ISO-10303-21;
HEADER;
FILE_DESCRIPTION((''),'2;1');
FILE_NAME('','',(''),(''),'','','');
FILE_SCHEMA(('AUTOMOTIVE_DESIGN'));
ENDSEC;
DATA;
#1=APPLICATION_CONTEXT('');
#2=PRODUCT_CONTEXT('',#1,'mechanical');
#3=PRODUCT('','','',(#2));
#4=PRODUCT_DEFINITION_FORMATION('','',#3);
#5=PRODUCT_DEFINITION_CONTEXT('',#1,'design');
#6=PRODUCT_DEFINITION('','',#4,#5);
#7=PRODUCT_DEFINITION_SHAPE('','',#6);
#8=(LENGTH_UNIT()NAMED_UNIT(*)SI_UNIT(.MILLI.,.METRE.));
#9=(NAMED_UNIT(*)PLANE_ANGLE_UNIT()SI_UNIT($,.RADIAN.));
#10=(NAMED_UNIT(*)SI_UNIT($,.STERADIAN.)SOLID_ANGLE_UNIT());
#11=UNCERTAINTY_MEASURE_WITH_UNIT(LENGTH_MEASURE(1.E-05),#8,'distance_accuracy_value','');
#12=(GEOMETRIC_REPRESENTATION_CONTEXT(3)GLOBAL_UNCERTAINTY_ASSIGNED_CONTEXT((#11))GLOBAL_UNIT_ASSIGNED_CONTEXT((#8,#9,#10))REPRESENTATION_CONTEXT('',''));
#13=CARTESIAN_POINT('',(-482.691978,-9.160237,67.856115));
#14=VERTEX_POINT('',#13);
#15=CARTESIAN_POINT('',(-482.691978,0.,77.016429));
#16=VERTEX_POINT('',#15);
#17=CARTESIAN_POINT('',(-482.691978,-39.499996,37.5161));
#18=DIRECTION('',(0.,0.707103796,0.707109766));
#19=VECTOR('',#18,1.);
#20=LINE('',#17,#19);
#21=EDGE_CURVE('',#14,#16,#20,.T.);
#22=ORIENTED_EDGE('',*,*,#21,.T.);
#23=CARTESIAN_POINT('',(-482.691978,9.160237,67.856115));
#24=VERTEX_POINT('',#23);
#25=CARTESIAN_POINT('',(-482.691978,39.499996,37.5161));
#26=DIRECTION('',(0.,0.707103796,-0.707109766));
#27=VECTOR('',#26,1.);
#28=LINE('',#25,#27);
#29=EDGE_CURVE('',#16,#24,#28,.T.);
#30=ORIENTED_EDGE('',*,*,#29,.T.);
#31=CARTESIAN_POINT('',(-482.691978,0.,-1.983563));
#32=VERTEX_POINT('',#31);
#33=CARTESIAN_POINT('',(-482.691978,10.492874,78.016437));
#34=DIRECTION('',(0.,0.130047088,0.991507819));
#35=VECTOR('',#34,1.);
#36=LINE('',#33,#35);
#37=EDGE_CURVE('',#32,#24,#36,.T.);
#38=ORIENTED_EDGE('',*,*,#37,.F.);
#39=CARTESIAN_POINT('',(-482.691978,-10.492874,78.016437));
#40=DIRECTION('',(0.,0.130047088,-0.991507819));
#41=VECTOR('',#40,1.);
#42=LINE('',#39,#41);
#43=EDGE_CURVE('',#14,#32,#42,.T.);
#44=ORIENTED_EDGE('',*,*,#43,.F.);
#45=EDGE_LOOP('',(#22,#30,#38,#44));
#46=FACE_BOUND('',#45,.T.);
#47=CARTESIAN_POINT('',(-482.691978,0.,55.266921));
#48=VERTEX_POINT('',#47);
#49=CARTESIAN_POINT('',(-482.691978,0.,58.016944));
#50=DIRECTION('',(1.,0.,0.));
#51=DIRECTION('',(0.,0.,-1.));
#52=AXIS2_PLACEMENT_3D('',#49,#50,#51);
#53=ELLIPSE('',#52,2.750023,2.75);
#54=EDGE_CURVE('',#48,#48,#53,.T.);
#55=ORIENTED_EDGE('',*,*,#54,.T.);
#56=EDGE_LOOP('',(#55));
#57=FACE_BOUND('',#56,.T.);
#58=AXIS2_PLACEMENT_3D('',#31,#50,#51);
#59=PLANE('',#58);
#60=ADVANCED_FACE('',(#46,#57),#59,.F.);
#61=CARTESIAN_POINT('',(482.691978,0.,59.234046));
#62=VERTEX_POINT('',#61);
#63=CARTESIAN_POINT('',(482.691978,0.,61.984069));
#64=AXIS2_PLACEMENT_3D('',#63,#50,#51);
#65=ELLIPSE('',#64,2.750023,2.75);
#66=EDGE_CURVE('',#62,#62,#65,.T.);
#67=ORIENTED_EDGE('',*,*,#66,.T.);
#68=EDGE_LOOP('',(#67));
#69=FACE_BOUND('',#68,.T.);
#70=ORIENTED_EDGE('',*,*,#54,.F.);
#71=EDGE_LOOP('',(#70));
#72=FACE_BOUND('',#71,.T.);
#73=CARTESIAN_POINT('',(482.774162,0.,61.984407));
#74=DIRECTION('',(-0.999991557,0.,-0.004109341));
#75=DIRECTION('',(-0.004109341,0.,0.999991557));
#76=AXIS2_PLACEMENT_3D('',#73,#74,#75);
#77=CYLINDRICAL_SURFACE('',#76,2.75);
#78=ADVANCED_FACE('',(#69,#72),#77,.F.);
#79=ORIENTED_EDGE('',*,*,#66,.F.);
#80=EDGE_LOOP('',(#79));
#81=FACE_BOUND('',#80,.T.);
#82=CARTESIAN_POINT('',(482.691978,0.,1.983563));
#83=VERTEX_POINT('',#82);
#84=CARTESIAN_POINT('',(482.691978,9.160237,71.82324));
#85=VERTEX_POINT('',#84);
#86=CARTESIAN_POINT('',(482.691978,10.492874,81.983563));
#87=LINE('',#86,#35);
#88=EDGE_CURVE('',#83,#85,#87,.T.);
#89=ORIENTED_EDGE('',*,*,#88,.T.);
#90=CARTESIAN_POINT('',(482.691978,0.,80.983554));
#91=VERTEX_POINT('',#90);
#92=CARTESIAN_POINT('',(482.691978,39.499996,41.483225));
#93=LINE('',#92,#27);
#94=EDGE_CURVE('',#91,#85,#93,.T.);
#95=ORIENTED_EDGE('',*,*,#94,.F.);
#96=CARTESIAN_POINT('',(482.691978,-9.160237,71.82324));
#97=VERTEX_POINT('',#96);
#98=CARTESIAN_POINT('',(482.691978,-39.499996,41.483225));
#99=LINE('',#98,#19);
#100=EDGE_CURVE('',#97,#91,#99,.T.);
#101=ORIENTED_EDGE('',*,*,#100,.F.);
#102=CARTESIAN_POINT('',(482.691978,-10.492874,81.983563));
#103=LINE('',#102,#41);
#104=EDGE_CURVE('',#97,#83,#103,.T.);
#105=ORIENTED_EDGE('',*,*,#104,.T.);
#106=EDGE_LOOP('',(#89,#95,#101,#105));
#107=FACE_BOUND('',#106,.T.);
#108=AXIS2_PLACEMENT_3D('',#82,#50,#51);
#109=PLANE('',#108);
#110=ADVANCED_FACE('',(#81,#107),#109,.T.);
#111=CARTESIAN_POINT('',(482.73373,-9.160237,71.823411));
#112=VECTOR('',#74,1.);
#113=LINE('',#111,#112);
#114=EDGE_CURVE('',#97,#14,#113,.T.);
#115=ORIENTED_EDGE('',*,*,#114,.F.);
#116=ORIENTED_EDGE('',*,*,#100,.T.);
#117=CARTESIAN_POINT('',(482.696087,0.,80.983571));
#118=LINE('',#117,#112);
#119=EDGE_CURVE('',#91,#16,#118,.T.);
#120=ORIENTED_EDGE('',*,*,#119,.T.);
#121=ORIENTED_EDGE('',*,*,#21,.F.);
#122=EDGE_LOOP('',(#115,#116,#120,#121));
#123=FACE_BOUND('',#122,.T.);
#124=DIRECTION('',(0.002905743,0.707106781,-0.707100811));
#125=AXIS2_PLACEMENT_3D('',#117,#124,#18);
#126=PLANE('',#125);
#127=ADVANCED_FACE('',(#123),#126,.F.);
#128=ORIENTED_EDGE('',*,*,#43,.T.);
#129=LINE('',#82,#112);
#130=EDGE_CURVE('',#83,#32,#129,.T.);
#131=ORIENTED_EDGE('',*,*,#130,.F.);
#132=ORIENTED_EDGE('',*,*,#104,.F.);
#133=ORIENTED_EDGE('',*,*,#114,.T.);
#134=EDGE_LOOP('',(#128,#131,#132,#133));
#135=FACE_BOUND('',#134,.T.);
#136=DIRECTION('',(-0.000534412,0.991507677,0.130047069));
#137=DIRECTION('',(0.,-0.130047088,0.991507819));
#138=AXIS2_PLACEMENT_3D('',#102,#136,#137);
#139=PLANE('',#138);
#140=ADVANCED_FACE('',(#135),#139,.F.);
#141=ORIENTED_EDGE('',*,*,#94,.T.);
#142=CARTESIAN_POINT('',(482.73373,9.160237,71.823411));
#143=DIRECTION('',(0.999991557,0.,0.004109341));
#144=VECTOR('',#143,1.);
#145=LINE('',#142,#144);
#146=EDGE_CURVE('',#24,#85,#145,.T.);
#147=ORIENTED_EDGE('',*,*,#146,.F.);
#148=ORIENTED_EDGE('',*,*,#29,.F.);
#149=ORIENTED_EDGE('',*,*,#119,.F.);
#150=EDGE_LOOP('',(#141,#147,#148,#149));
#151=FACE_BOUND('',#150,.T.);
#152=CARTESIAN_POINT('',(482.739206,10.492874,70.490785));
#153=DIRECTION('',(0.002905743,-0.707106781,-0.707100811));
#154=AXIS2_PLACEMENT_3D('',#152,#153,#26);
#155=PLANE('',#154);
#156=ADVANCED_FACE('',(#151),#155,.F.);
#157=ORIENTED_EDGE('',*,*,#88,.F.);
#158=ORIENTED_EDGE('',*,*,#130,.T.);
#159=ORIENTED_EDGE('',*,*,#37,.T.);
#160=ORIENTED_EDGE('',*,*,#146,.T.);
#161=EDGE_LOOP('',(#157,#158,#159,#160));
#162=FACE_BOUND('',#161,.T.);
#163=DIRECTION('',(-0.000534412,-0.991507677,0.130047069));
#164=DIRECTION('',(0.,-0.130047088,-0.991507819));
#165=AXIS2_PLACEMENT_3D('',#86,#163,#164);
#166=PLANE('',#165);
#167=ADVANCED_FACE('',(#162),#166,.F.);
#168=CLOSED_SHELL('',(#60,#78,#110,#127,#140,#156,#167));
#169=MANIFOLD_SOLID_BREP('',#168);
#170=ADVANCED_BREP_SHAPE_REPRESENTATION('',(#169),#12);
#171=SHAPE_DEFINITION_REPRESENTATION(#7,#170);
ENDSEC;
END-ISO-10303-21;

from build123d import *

# Parameters (mm, degrees)
AILERON_DEPTH           = 482.696053238
SKETCH2_R               = 2.75
CUT_EXTRUDE2_DEPTH      = 483.696053238
CUT_EXTRUDE2_DEPTH_BACK = 484.024800506


with BuildPart() as part:
    # aileron_root → aileron (new body, symmetric, along a direction that is not the sketch's normal)
    with BuildSketch(Plane(origin=(0, 0, 0), x_dir=(0, 0, -1), z_dir=(1, 0, 0))):
        Polygon((-80, -10.492874398), (-80, 10.492874398), (0, 0), align=None)
    extrude(amount=AILERON_DEPTH, dir=(0.999991557, 0, 0.004109341), both=True)

    # Sketch2 → Cut-Extrude2 (cut, two sides)
    with BuildSketch(Plane(origin=(0, 0, 0), x_dir=(-0.004109341, 0, 0.999991557), z_dir=(-0.999991557, 0, -0.004109341))) as cut_extrude2_sk:
        with Locations((60, 0)):
            Circle(SKETCH2_R)
        Polygon((78.99932453, 0), (68.506450132, -10.492874398), (79.99932453, -10.492874398), (79.99932453, 10.492874398), (68.506450132, 10.492874398), align=None)
    extrude(amount=CUT_EXTRUDE2_DEPTH, mode=Mode.SUBTRACT)
    extrude(cut_extrude2_sk.sketch, amount=-CUT_EXTRUDE2_DEPTH_BACK, mode=Mode.SUBTRACT)


solid = part.part
